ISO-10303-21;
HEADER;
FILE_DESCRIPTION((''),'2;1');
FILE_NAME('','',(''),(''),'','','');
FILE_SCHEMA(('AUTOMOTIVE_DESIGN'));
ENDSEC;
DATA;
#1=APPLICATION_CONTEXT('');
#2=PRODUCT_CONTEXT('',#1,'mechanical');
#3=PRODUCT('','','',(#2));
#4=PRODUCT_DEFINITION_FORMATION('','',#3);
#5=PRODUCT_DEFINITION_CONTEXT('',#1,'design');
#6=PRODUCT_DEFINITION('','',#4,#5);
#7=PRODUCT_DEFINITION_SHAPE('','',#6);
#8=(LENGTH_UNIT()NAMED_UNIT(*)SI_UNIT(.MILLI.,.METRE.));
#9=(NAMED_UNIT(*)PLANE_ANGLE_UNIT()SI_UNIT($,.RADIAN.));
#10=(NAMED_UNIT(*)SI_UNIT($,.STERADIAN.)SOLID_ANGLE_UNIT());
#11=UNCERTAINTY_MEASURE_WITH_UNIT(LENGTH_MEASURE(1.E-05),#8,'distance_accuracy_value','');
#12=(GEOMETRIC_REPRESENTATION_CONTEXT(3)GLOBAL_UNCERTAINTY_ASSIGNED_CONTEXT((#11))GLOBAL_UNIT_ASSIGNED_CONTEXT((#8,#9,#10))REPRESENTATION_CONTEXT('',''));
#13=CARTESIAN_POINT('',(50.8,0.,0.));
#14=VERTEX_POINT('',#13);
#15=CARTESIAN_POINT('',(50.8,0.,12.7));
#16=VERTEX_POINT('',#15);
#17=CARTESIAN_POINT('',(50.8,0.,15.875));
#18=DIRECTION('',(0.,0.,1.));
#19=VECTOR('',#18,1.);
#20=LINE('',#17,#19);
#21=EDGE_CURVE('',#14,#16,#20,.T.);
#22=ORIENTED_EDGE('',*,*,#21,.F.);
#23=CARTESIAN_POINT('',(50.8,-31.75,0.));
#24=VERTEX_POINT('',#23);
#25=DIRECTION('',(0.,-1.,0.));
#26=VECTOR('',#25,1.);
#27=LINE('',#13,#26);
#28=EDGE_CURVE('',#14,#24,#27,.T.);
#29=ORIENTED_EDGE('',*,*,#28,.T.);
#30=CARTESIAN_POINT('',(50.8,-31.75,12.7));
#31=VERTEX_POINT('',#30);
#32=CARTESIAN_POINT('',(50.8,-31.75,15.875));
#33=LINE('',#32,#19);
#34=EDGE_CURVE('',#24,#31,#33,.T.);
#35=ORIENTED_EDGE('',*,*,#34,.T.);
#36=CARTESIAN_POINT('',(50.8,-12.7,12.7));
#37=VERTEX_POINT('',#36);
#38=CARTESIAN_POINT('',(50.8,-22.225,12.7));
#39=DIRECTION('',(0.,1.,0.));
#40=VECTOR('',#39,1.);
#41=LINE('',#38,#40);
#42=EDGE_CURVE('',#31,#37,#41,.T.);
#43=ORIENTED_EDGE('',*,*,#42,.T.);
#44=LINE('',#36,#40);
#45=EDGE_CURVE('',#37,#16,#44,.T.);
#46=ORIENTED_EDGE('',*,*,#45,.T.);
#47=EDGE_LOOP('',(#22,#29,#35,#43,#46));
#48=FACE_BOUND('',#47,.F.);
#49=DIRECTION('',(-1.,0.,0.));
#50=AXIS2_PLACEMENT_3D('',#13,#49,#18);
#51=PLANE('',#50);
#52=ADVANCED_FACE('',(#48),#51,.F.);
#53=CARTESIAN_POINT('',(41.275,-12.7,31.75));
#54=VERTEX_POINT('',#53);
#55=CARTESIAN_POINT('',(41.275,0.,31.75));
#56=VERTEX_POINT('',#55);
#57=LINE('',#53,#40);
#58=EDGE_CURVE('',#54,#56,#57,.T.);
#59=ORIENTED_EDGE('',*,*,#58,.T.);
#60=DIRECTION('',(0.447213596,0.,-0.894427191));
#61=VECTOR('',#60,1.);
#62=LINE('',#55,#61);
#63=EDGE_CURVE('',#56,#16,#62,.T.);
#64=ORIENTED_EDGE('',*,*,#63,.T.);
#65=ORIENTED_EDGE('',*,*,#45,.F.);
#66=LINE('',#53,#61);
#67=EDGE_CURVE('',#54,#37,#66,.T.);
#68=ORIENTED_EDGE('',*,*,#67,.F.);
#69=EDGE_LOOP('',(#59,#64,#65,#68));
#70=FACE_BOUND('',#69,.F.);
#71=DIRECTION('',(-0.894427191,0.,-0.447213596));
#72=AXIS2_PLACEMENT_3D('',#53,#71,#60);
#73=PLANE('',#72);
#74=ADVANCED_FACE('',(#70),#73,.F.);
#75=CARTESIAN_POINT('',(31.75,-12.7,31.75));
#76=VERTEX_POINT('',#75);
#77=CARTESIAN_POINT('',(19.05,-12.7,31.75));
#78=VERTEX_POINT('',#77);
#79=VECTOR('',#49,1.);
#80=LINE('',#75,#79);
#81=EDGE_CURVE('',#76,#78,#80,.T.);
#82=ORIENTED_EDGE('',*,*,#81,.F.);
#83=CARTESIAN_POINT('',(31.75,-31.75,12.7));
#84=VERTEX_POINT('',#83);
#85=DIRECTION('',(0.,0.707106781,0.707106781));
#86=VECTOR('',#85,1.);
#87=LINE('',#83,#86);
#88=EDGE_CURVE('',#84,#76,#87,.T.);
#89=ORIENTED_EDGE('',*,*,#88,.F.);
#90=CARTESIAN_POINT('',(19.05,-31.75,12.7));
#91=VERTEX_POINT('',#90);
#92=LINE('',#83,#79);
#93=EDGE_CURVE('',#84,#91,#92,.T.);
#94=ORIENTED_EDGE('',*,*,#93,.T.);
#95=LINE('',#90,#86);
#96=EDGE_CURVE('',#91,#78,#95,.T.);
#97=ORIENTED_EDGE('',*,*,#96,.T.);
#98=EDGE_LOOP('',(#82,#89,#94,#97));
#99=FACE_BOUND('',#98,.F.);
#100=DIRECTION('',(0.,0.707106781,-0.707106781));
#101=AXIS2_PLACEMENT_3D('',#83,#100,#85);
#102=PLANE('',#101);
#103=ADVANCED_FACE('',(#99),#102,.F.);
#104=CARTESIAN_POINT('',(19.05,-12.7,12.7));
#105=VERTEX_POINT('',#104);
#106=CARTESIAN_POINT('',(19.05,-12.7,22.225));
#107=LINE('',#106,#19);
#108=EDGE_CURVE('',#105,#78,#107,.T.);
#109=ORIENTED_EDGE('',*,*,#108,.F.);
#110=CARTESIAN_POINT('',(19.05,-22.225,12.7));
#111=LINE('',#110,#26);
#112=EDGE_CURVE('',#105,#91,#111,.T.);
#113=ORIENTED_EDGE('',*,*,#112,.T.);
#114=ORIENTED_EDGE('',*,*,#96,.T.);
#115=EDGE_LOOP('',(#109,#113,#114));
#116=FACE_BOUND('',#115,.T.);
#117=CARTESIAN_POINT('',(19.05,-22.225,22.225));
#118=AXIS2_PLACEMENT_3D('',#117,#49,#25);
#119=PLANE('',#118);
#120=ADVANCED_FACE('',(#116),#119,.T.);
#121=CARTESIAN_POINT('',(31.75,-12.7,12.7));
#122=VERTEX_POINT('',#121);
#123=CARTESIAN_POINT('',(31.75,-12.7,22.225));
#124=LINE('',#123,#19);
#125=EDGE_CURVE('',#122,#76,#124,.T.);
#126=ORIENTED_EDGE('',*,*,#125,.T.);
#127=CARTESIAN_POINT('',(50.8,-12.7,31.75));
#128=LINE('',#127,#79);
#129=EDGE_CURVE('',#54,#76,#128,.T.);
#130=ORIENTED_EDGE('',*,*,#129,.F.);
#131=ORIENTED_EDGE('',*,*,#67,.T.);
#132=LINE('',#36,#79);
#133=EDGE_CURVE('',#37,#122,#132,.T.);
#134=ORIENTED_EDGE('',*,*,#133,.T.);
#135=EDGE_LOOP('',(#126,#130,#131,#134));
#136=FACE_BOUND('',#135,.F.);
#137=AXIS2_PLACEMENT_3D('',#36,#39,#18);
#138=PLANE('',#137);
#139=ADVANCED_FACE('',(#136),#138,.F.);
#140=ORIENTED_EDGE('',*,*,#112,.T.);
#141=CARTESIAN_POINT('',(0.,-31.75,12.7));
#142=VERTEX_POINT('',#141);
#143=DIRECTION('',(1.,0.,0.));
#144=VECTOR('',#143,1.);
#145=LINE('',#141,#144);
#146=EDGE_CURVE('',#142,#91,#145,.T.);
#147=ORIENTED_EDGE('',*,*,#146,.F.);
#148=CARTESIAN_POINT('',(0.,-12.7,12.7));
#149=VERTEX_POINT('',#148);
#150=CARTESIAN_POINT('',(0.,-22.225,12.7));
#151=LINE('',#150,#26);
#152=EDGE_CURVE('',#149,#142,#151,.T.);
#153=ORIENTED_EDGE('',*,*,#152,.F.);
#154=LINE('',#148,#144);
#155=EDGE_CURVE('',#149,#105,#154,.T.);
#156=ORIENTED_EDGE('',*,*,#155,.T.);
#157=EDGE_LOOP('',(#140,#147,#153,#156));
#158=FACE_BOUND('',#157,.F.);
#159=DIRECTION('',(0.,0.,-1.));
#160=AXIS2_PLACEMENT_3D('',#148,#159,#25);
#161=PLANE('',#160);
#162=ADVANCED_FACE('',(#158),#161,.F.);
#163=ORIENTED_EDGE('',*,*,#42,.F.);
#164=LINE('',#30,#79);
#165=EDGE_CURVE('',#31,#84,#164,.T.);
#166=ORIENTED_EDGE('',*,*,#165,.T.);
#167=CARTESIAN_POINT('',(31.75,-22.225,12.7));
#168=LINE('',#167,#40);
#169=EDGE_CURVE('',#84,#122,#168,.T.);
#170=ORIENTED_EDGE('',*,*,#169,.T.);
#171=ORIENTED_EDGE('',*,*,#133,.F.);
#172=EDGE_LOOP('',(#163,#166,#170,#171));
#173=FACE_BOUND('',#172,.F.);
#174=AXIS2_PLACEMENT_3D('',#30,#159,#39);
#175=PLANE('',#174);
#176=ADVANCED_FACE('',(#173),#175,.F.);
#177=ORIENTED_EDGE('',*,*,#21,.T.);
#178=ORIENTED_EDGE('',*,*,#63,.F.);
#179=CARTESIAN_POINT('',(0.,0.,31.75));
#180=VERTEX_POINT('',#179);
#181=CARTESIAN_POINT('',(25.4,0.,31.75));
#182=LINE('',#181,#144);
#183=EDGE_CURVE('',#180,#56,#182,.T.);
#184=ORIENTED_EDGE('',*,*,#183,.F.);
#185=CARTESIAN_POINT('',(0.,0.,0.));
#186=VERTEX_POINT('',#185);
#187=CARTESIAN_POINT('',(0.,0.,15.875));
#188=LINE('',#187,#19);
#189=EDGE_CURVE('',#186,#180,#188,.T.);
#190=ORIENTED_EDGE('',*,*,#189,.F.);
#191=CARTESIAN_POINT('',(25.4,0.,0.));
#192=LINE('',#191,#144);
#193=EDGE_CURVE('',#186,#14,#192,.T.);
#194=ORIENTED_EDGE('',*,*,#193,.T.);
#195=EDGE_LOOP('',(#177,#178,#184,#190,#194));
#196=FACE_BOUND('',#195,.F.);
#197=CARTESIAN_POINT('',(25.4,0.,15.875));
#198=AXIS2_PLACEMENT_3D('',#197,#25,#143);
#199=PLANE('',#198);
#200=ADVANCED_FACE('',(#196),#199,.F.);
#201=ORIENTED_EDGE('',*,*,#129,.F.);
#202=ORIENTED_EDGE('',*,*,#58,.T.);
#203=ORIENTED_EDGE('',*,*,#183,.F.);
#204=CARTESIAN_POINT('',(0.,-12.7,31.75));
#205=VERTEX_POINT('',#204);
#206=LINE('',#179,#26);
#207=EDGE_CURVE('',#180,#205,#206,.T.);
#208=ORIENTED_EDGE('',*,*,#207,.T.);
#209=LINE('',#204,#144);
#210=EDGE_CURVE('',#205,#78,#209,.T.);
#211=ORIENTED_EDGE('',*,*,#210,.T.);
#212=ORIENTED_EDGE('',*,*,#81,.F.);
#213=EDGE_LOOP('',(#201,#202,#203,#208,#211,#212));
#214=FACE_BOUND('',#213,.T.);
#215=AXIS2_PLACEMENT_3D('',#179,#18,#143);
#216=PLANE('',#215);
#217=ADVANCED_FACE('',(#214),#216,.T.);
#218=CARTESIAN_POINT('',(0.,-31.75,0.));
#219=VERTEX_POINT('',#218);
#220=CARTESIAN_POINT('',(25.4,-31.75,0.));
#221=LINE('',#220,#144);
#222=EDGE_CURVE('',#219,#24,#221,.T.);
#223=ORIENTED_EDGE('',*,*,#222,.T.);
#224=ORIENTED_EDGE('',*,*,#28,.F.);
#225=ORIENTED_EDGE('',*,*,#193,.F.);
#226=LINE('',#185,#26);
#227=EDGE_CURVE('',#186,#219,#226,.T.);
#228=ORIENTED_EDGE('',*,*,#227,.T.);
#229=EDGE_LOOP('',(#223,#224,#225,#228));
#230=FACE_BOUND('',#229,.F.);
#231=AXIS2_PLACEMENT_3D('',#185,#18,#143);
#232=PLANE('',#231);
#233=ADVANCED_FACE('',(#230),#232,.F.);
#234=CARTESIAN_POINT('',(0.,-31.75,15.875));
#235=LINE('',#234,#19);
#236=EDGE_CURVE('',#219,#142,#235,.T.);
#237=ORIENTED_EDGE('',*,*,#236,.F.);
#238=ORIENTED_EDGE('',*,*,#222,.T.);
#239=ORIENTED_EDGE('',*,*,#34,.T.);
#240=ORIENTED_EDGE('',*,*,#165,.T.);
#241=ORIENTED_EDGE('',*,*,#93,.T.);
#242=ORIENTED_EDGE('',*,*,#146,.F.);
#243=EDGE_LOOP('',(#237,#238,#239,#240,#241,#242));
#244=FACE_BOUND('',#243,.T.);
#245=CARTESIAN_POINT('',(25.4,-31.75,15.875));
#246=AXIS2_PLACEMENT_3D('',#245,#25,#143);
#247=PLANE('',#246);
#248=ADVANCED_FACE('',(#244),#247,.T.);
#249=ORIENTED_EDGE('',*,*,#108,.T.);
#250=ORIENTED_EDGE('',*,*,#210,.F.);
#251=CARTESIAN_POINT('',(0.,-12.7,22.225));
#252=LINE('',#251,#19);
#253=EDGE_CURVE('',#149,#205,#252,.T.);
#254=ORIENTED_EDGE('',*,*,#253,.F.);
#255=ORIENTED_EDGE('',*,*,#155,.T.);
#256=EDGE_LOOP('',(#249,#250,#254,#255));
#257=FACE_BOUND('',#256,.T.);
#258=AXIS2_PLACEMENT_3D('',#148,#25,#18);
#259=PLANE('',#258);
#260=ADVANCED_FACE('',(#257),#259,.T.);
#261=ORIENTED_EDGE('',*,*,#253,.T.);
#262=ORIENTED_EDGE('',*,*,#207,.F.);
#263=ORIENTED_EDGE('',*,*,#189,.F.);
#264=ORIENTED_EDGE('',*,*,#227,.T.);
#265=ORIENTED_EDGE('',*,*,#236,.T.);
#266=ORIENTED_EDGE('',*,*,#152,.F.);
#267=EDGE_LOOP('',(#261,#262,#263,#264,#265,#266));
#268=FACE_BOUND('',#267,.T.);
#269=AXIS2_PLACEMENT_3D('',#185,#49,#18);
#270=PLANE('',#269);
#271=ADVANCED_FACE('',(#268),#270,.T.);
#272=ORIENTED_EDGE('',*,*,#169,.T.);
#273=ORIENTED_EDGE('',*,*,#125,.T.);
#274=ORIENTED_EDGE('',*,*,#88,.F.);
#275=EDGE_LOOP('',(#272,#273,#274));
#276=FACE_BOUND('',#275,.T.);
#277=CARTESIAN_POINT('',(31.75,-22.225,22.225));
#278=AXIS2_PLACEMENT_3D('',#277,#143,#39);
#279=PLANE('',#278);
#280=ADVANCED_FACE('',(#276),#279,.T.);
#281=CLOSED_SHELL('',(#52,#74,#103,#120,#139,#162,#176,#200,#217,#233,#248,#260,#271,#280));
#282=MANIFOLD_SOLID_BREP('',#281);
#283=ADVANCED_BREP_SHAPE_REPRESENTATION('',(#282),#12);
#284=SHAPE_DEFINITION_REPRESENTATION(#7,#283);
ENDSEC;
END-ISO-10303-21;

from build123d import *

# Parameters (mm, degrees)
F0_W     = 50.8
F0_H     = 31.75
F1_DEPTH = 31.75
F2_W     = 19.05
F2_H     = 19.05
F3_DEPTH = 19.05
F4_W     = 19.05
F4_H     = 19.05
F5_DEPTH = 19.05
F7_DEPTH = 12.7
F9_DEPTH = 12.7


with BuildPart() as f1:
    # F0 (on Front) → F1 (new body)
    with BuildSketch(Plane.XZ):
        with Locations((25.4, 15.875)):
            Rectangle(F0_W, F0_H)
    extrude(amount=F1_DEPTH)

    # F2 (on face) → F3 (cut)
    with BuildSketch(Plane.YZ.offset(50.8)):
        with Locations((-22.225, 22.225)):
            Rectangle(F2_W, F2_H)
    extrude(amount=-F3_DEPTH, mode=Mode.SUBTRACT)

    # F4 (on face) → F5 (cut)
    with BuildSketch(Plane(origin=(0, 0, 0), x_dir=(0, -1, 0), z_dir=(-1, 0, 0))):
        with Locations((22.225, 22.225)):
            Rectangle(F4_W, F4_H)
    extrude(amount=-F5_DEPTH, mode=Mode.SUBTRACT)

    # F6 (on face) → F7 (cut)
    with BuildSketch(Plane.XZ.offset(12.7)):
        Polygon((50.8, 31.75), (41.275, 31.75), (50.8, 12.7), align=None)
    extrude(amount=-F7_DEPTH, mode=Mode.SUBTRACT)

    # F8 (on face) → F9 (cut)
    with BuildSketch(Plane.YZ.offset(31.75)):
        Polygon((-31.75, 12.7), (-12.7, 31.75), (-31.75, 31.75), align=None)
    extrude(amount=-F9_DEPTH, mode=Mode.SUBTRACT)


solid = f1.part
